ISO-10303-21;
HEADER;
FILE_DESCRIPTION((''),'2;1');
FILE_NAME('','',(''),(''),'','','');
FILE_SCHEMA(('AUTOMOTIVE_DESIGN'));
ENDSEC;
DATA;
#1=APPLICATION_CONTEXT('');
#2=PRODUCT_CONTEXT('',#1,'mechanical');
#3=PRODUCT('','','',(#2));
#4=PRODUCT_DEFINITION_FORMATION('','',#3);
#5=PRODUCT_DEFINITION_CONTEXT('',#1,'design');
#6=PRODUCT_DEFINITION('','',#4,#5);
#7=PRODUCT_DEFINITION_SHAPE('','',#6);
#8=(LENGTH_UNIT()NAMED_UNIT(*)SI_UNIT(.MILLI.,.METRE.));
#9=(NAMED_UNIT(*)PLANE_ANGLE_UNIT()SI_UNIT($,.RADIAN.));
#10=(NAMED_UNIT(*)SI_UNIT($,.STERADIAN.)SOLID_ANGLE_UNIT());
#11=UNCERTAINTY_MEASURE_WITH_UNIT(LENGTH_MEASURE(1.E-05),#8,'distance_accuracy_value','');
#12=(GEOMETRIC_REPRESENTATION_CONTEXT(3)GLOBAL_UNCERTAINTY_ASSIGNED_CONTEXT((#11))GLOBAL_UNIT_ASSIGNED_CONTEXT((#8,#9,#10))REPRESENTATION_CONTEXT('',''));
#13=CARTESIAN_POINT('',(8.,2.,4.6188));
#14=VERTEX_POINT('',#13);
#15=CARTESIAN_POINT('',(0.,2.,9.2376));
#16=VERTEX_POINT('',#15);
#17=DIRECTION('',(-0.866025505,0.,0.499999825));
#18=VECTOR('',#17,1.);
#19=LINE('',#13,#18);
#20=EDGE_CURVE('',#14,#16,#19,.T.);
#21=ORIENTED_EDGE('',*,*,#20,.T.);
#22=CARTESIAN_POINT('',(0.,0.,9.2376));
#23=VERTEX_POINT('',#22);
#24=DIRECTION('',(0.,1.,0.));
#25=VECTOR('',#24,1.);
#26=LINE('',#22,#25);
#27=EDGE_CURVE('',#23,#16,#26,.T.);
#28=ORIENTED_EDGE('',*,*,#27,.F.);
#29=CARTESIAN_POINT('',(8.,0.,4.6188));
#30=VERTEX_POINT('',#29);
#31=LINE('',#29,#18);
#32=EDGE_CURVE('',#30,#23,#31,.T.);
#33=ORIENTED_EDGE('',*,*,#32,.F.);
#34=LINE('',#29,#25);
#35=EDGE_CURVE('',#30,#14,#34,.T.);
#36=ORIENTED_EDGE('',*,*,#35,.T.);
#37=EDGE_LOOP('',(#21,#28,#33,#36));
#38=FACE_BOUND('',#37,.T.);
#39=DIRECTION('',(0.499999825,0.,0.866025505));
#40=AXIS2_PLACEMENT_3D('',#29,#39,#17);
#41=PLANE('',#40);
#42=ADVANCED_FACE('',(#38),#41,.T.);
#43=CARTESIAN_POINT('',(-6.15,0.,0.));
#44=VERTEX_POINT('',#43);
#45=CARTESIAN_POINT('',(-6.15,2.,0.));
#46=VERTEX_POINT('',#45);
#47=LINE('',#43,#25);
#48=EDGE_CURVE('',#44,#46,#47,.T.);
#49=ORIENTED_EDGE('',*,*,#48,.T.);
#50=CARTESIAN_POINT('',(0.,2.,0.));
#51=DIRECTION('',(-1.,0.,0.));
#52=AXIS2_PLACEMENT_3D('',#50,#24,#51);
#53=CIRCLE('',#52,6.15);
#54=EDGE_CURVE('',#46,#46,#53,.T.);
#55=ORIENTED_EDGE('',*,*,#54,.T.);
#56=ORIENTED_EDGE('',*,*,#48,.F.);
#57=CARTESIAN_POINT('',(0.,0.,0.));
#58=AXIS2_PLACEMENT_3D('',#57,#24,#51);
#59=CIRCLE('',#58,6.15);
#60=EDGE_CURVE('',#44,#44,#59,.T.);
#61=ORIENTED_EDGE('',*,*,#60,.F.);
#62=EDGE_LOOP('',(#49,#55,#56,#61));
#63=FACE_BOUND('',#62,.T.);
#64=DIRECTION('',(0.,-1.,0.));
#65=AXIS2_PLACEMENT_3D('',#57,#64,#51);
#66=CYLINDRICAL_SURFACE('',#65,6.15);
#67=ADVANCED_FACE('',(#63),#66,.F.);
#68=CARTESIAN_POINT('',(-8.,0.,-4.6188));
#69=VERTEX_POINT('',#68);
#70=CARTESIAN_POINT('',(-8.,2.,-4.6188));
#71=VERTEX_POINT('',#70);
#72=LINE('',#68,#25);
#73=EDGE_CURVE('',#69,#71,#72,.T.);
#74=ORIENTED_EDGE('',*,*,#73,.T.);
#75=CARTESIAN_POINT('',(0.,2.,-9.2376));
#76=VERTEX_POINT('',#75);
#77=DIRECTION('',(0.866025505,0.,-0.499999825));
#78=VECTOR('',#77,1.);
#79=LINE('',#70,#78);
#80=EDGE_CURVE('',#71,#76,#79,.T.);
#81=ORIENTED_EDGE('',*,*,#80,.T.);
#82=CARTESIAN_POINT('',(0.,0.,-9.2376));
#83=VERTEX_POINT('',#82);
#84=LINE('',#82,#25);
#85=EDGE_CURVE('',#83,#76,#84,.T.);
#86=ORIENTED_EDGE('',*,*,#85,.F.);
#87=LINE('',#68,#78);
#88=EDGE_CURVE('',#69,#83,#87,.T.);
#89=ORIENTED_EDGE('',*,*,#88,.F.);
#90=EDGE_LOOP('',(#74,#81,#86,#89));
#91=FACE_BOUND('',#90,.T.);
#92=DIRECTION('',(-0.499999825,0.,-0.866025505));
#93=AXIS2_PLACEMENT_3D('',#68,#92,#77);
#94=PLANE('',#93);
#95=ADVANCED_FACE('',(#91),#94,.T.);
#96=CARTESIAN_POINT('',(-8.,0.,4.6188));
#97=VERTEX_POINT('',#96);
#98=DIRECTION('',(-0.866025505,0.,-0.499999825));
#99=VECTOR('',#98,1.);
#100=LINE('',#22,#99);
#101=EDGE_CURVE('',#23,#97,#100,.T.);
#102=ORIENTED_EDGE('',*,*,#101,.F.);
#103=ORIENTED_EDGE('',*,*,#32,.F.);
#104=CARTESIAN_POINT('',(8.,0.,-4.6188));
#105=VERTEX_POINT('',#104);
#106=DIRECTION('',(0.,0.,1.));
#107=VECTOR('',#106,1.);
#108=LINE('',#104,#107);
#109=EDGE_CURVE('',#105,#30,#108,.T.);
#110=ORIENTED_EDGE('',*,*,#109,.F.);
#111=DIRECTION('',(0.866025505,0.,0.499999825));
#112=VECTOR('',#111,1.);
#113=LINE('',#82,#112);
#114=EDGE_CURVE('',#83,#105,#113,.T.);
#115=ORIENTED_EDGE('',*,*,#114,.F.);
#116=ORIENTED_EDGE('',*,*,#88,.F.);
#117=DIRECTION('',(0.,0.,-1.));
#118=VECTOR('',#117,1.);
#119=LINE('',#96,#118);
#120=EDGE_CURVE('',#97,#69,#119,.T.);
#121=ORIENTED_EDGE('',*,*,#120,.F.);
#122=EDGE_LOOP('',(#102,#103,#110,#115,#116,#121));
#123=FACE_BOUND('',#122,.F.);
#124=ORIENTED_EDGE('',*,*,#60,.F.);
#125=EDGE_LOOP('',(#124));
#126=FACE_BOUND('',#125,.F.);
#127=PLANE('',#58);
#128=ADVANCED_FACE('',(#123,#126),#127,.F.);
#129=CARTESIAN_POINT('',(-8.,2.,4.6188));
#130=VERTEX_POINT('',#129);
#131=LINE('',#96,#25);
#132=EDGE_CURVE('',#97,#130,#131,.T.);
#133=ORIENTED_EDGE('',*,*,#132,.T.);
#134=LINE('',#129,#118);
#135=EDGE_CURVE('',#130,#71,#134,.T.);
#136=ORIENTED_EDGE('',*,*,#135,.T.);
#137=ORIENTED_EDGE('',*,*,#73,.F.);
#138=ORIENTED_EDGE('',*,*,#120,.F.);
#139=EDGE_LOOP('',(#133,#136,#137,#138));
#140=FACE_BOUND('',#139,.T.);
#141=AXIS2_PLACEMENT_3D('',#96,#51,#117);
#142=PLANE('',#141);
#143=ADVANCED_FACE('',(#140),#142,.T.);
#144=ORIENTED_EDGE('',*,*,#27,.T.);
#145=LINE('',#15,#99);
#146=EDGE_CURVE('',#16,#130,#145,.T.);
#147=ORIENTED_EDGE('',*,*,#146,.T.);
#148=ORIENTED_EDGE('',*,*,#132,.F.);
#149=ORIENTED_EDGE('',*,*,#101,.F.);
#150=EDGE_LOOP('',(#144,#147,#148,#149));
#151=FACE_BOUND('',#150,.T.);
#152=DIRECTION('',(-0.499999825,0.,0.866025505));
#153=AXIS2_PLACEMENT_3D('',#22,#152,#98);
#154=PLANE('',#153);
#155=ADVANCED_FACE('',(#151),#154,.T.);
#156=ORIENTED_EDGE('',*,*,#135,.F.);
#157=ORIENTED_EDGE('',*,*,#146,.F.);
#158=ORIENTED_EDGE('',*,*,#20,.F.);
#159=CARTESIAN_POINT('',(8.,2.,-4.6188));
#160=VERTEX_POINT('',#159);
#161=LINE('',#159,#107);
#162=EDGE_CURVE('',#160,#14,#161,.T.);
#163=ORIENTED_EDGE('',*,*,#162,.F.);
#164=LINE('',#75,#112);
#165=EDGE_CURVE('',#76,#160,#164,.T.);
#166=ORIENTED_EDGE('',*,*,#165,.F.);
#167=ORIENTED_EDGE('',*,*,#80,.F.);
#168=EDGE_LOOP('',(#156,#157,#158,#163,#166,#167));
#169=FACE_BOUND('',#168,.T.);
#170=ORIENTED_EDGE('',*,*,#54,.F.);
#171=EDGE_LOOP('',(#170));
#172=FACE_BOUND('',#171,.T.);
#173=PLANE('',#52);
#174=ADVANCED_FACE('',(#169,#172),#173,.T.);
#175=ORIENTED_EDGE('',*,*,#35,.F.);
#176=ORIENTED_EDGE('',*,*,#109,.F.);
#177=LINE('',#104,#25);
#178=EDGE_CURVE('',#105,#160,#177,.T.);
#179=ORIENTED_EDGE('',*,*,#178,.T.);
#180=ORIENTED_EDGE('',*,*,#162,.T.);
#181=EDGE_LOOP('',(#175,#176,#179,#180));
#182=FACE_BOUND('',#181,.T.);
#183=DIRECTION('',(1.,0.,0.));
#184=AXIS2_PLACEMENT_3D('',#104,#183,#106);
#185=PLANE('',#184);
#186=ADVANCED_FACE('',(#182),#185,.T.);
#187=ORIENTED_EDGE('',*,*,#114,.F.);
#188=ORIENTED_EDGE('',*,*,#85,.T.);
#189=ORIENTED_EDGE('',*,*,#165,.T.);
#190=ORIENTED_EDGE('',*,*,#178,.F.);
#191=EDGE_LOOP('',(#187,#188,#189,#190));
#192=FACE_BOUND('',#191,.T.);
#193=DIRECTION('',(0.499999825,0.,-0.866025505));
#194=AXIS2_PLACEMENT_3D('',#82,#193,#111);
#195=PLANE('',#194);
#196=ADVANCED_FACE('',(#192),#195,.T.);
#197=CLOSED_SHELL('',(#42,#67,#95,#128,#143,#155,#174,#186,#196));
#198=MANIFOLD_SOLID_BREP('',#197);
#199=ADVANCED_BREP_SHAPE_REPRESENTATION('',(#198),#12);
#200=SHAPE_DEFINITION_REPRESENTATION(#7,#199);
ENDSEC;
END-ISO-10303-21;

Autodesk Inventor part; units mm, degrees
ref_plane "YZ Plane" through (0, 0, 0) normal (1, 0, 0) x (0, 1, 0)
ref_plane "XZ Plane" through (0, 0, 0) normal (0, 1, 0) x (-1, 0, 0)
ref_plane "XY Plane" through (0, 0, 0) normal (0, 0, 1) x (1, 0, 0)
sketch "Sketch1" plane through (0, 0, 0) normal (0, 1, 0) x (-1, 0, 0)
  circle A0 centre (0, 0) radius 6.15
  line L0 (0, -9.2376) -> (-8, -4.6188)
  line L1 (-8, -4.6188) -> (-8, 4.6188)
  line L2 (-8, 4.6188) -> (0, 9.2376)
  line L3 (0, 9.2376) -> (8, 4.6188)
  line L4 (8, 4.6188) -> (8, -4.6188)
  line L5 (8, -4.6188) -> (0, -9.2376)
  dimension "d0" = 12.3
  dimension "d1" = 16
extrude "Extrusion1" add sketch "Sketch1" along normal blind 2
thread "Thread1" size "M14x2" class "6H" standard "ANSI Metric M Profile" full length
properties part number "Switch Nut"
